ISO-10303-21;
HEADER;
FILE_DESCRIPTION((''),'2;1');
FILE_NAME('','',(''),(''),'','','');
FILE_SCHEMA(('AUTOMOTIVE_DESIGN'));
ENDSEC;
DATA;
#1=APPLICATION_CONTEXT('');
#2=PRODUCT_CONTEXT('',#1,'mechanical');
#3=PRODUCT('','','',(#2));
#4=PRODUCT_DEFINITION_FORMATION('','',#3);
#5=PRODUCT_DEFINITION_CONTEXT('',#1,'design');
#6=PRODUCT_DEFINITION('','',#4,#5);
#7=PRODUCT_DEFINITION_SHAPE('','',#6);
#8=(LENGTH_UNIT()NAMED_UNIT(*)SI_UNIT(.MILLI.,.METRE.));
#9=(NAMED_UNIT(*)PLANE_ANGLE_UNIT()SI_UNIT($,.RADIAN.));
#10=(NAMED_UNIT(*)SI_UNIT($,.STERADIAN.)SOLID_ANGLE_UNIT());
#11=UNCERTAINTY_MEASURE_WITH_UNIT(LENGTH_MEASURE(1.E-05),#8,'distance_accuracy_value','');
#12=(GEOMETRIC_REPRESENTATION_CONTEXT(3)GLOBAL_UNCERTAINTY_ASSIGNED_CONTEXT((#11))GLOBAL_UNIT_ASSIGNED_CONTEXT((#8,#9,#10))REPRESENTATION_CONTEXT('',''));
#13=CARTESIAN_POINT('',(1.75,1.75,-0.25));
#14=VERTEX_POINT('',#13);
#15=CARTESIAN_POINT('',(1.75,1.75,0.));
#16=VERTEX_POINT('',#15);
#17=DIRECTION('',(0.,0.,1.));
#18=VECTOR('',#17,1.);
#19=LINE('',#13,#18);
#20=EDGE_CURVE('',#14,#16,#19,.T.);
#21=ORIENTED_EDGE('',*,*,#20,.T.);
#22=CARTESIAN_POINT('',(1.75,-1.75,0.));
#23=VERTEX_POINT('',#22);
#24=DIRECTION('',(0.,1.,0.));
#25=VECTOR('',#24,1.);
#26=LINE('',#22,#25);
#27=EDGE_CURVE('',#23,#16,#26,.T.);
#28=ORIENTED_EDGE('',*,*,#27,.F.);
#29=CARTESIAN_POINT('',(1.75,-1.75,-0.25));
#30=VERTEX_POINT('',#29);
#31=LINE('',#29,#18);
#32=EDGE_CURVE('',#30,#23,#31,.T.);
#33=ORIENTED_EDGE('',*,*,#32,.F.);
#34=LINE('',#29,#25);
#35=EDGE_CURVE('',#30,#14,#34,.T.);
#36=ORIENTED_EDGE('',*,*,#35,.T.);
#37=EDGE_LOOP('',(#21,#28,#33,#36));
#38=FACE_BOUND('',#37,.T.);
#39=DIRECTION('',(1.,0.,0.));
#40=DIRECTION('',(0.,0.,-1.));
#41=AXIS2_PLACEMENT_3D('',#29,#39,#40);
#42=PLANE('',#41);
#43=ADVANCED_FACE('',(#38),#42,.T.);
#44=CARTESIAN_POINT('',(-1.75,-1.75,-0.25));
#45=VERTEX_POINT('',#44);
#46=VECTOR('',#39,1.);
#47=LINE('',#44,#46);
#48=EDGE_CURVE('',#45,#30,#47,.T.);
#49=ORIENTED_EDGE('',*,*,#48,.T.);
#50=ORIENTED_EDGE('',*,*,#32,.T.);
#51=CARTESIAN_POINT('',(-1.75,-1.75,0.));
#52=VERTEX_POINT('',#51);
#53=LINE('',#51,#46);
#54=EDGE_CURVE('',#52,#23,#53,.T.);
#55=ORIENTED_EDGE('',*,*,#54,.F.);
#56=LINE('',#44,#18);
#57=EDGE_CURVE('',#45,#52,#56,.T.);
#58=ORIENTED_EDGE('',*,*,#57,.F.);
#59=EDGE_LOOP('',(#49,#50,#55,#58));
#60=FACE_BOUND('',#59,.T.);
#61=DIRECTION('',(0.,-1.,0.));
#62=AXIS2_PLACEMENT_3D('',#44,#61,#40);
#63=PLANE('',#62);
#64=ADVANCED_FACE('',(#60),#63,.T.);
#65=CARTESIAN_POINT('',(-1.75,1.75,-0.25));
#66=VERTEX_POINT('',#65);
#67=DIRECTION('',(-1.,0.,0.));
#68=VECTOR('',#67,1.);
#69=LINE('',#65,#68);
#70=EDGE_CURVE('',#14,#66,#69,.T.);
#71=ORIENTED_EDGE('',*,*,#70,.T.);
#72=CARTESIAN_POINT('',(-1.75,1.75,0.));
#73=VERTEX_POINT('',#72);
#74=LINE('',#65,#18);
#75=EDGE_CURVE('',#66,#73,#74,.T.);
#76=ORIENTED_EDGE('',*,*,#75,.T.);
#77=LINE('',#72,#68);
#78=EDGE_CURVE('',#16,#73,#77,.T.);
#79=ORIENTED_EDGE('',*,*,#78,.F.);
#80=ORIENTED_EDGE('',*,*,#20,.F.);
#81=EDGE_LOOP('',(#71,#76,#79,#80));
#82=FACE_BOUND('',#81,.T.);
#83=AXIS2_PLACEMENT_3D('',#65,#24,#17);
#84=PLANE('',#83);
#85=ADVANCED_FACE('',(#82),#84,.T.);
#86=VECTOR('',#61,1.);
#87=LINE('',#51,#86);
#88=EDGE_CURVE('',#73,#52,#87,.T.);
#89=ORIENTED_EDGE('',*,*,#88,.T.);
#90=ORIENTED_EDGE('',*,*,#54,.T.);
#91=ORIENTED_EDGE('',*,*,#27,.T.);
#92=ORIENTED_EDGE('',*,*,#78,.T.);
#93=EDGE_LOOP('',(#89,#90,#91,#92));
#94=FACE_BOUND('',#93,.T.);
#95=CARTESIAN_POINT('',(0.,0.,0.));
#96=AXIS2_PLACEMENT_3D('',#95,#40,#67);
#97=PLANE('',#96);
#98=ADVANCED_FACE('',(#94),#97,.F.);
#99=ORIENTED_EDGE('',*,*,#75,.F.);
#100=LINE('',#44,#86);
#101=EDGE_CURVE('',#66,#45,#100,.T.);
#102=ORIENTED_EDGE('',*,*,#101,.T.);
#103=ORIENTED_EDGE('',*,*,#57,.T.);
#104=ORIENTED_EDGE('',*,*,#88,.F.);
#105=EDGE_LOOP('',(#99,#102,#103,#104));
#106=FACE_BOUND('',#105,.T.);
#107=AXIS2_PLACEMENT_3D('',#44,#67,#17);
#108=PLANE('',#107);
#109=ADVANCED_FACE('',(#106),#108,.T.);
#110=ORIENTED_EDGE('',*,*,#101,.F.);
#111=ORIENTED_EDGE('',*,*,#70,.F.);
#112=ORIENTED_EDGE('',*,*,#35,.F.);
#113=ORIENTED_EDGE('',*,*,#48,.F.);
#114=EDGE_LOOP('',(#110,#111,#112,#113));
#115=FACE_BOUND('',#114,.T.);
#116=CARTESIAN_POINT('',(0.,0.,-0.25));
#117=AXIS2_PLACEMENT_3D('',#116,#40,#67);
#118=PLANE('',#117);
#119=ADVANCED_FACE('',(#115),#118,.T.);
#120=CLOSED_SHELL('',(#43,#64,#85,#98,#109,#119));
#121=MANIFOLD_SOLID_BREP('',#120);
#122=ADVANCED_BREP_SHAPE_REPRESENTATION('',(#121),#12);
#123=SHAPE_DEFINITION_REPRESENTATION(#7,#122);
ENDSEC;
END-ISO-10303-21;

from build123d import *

# Parameters (mm, degrees)
SKETCH1_W           = 3.5
SKETCH1_H           = 3.5
BOSS_EXTRUDE1_DEPTH = 0.25


with BuildPart() as part:
    # Sketch1 → Boss-Extrude1 (new body)
    with BuildSketch(Plane.XY):
        Rectangle(SKETCH1_W, SKETCH1_H)
    extrude(amount=-BOSS_EXTRUDE1_DEPTH)


solid = part.part
